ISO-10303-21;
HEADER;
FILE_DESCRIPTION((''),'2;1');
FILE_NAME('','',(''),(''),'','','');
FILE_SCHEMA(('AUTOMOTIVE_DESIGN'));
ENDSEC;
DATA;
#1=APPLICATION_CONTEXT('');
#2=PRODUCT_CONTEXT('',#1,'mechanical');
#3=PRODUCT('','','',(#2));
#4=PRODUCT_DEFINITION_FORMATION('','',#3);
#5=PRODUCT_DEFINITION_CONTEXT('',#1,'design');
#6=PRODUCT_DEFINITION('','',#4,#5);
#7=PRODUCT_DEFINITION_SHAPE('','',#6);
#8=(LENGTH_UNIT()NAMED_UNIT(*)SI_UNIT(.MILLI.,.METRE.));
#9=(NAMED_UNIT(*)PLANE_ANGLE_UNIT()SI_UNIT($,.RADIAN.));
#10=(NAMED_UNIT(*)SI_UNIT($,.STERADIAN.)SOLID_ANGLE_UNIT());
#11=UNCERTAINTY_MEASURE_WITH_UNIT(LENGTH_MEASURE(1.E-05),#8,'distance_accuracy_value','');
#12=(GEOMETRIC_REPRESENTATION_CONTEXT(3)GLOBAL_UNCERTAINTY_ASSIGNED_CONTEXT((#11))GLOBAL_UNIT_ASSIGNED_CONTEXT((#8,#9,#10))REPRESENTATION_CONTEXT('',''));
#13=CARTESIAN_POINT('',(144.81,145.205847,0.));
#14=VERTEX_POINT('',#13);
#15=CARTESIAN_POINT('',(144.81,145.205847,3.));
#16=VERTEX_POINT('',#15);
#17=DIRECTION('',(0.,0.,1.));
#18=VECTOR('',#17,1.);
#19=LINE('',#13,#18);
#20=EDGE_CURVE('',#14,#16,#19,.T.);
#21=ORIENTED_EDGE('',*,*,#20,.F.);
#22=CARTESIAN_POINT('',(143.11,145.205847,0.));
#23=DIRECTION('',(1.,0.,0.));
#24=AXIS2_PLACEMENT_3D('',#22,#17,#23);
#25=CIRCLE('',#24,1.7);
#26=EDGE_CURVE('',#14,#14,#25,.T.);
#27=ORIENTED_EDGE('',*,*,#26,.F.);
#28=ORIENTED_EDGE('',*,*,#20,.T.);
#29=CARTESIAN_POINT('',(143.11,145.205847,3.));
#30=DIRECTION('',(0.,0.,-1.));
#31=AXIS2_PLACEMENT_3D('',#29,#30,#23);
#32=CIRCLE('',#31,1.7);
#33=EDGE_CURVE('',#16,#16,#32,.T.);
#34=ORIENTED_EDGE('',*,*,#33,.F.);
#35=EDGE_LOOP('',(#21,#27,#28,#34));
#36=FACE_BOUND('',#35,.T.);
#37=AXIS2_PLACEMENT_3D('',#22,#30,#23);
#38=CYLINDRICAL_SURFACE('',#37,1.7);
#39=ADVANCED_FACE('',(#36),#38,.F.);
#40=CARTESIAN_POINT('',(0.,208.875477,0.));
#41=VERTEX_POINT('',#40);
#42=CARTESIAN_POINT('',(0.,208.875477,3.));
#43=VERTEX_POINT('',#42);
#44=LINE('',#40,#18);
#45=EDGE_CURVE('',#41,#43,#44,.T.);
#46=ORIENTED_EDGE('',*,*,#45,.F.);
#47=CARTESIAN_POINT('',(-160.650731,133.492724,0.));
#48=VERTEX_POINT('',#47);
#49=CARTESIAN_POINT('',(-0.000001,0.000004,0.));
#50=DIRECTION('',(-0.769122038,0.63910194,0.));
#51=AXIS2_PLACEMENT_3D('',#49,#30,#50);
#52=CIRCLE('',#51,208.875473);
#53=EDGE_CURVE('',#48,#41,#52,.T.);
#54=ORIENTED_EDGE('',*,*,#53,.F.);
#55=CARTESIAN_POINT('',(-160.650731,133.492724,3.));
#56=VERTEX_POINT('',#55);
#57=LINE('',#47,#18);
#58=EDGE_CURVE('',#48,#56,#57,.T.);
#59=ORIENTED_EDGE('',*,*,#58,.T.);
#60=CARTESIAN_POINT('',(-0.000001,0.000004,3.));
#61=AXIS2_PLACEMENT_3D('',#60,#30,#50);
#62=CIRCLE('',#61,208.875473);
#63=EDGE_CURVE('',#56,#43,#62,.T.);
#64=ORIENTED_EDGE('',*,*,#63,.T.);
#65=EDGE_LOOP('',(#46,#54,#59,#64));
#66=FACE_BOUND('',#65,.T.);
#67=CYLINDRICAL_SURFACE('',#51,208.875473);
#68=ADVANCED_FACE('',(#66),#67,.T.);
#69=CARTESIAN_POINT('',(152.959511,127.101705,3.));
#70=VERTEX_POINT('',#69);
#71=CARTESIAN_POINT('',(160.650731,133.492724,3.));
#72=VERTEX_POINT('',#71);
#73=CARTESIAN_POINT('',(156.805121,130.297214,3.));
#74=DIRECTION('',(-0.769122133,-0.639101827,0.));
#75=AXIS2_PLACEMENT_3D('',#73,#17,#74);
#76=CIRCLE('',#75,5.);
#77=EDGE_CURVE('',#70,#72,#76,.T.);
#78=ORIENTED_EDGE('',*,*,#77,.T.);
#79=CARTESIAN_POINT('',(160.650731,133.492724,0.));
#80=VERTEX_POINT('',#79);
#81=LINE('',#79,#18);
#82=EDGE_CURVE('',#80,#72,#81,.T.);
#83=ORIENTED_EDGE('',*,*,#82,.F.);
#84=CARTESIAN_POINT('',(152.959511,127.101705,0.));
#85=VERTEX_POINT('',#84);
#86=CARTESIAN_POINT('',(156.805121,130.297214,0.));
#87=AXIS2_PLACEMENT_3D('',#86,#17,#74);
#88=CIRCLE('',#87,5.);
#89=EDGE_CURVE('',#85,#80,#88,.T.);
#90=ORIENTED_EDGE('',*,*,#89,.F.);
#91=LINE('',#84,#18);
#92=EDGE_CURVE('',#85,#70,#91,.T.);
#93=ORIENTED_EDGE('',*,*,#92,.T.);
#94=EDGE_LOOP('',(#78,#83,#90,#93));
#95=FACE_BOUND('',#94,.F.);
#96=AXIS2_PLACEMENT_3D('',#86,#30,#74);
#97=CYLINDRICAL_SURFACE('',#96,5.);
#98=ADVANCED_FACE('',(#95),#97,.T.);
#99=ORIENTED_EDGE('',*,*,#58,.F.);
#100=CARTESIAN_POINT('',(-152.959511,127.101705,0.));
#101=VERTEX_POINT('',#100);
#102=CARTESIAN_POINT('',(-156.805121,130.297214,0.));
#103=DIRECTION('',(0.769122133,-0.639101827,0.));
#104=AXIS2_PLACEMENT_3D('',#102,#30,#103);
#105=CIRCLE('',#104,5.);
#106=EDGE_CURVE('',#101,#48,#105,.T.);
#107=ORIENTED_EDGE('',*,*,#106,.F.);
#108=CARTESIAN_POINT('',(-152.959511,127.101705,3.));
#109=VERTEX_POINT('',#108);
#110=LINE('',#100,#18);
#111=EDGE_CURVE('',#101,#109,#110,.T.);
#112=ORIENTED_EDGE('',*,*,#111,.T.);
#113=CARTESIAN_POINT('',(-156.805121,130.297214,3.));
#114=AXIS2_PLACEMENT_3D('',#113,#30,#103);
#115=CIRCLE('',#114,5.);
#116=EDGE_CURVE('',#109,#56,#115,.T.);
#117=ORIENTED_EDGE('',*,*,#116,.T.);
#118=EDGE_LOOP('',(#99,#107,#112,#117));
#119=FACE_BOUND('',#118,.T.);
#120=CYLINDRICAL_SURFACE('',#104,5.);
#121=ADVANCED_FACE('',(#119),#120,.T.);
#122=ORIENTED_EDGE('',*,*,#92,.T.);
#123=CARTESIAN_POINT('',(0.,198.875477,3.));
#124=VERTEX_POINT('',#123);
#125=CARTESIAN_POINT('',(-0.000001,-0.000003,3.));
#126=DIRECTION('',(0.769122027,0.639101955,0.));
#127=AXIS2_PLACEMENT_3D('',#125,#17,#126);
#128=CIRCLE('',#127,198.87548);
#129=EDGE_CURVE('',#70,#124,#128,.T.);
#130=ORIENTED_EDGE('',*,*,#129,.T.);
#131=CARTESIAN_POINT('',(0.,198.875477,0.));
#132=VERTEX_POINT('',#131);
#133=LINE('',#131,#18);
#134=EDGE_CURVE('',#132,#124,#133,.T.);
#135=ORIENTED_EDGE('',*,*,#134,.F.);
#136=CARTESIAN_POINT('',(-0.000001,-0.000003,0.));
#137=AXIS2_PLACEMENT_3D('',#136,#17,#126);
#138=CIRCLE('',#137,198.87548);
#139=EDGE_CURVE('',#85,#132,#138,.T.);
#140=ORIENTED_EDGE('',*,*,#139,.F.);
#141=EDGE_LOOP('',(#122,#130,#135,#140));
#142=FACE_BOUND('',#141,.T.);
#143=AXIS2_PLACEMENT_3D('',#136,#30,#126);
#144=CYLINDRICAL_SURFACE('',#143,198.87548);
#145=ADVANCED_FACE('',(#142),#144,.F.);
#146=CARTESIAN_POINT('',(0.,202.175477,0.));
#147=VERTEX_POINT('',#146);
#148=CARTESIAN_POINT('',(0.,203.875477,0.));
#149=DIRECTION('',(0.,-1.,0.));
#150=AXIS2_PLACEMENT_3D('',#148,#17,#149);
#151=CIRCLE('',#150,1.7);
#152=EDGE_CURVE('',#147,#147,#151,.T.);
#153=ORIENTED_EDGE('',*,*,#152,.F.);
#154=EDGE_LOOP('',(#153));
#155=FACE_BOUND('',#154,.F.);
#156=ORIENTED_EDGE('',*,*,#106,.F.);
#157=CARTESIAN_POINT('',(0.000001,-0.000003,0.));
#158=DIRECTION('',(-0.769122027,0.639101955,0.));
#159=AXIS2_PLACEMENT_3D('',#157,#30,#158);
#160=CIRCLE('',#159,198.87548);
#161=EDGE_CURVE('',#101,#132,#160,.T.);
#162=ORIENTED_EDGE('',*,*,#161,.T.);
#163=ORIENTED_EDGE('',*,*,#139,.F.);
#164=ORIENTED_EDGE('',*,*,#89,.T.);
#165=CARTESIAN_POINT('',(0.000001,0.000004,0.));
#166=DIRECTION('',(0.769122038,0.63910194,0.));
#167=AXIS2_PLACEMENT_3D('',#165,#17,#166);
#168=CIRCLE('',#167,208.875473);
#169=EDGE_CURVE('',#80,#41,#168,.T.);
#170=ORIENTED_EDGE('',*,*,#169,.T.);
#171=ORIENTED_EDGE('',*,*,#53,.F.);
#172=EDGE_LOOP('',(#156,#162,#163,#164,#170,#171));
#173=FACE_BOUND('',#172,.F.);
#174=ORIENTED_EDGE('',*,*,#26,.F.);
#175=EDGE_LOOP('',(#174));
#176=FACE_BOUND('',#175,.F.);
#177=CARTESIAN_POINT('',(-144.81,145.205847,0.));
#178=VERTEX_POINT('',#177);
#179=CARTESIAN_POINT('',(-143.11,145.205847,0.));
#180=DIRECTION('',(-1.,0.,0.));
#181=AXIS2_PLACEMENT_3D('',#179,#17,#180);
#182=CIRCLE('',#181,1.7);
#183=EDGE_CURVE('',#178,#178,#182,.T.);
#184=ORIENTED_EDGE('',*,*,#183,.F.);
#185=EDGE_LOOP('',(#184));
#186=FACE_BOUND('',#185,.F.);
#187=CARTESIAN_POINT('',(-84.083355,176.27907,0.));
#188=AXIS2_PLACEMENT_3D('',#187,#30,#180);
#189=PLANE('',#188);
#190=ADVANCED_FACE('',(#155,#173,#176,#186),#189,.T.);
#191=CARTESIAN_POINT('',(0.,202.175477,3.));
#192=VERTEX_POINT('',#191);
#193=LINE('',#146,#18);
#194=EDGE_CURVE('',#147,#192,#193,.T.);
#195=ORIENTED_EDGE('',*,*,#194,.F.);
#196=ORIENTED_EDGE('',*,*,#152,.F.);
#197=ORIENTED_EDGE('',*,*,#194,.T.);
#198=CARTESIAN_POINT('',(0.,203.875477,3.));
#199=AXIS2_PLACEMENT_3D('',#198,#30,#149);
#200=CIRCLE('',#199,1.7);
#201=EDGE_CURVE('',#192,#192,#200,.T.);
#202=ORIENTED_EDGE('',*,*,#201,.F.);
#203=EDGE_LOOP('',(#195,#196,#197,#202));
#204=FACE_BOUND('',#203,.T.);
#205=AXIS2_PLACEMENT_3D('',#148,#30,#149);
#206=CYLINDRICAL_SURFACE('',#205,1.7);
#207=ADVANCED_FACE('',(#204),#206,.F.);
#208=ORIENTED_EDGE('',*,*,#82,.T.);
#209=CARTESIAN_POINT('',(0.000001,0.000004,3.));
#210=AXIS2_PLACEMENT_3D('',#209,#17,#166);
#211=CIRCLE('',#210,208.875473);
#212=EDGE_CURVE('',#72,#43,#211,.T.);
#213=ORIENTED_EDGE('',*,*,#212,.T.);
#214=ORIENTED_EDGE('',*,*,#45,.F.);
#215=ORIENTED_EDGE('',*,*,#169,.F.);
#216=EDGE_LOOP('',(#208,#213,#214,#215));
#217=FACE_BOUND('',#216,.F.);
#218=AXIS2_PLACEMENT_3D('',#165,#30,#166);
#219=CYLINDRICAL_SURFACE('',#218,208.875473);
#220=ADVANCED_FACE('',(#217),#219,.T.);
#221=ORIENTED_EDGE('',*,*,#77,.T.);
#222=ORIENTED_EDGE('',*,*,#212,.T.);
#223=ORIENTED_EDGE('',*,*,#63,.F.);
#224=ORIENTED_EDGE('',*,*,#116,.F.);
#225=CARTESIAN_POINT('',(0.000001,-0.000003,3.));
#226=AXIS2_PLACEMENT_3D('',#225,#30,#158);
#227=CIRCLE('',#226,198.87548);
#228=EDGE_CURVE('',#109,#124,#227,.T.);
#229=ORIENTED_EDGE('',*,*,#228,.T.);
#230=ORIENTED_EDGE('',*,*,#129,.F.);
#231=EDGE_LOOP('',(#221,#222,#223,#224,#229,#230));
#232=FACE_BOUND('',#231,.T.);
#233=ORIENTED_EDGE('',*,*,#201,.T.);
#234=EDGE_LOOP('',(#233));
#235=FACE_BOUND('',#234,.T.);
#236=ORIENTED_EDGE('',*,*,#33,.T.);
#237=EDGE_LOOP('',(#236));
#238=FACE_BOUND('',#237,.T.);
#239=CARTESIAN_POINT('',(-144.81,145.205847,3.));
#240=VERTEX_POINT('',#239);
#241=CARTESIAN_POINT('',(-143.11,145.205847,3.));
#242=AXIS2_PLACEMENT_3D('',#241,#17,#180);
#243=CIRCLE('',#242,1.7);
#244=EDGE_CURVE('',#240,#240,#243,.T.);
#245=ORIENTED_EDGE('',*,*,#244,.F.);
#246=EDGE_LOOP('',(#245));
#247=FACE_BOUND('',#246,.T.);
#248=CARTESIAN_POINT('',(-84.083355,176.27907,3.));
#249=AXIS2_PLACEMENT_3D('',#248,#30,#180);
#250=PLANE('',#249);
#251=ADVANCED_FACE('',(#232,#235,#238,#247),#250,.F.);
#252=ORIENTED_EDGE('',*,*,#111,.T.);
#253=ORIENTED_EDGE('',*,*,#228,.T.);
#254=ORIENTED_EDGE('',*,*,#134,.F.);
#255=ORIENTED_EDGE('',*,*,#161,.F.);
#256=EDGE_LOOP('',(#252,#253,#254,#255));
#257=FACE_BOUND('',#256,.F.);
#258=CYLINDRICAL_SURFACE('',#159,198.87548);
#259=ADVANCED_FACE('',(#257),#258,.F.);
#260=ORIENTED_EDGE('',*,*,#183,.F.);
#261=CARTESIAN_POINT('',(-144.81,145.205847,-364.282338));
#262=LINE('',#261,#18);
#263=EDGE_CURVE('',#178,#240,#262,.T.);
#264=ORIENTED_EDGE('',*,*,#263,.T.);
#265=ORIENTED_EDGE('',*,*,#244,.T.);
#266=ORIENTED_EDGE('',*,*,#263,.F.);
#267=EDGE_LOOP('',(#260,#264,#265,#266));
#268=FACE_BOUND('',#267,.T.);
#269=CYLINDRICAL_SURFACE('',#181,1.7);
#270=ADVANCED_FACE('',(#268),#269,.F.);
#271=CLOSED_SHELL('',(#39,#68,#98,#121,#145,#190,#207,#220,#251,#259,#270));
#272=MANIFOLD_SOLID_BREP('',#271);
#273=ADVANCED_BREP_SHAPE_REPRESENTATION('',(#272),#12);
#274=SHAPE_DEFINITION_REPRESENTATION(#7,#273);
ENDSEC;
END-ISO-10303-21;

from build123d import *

# Parameters (mm, degrees)
PAD014_DEPTH         = 3
SKETCH055_R          = 1.7
POCKET019_DEPTH      = 364.282338
POCKET019_DEPTH_BACK = 367.282338


with BuildPart() as part:
    # Sketch052 → Pad014 (new body)
    with BuildSketch(Plane.XY):
        with BuildLine():
            ThreePointArc((152.959511, 127.101705), (84.480895, 180.040089), (0, 198.875477))
            Line((0, 198.875477), (0, 208.875477))
            ThreePointArc((160.650731, 133.492724), (88.728824, 189.092995), (0, 208.875477))
            ThreePointArc((152.959511, 127.101705), (160.000631, 126.451604), (160.650731, 133.492724))
        make_face()
    pad014 = extrude(amount=PAD014_DEPTH)

    # Sketch055 → Pocket019 (cut, two sides)
    with BuildSketch(Plane.XY) as pocket019_sk:
        with Locations((143.11, 145.205847)):
            Circle(SKETCH055_R)
        with BuildLine():
            Line((0, 202.175477), (0, 205.575477))
            ThreePointArc((0, 202.175477), (1.7, 203.875477), (0, 205.575477))
        make_face()
    pocket019 = extrude(amount=-POCKET019_DEPTH, mode=Mode.SUBTRACT) + extrude(pocket019_sk.sketch, amount=POCKET019_DEPTH_BACK, mode=Mode.SUBTRACT)

    # Mirrored019: Pad014, Pocket019 across Sketch052 V_Axis
    add(pad014.mirror(Plane(origin=(0, 0, 0), x_dir=(0, 0, 1), z_dir=(1, 0, 0))))
    add(pocket019.mirror(Plane(origin=(0, 0, 0), x_dir=(0, 0, 1), z_dir=(1, 0, 0))), mode=Mode.SUBTRACT)


solid = part.part
